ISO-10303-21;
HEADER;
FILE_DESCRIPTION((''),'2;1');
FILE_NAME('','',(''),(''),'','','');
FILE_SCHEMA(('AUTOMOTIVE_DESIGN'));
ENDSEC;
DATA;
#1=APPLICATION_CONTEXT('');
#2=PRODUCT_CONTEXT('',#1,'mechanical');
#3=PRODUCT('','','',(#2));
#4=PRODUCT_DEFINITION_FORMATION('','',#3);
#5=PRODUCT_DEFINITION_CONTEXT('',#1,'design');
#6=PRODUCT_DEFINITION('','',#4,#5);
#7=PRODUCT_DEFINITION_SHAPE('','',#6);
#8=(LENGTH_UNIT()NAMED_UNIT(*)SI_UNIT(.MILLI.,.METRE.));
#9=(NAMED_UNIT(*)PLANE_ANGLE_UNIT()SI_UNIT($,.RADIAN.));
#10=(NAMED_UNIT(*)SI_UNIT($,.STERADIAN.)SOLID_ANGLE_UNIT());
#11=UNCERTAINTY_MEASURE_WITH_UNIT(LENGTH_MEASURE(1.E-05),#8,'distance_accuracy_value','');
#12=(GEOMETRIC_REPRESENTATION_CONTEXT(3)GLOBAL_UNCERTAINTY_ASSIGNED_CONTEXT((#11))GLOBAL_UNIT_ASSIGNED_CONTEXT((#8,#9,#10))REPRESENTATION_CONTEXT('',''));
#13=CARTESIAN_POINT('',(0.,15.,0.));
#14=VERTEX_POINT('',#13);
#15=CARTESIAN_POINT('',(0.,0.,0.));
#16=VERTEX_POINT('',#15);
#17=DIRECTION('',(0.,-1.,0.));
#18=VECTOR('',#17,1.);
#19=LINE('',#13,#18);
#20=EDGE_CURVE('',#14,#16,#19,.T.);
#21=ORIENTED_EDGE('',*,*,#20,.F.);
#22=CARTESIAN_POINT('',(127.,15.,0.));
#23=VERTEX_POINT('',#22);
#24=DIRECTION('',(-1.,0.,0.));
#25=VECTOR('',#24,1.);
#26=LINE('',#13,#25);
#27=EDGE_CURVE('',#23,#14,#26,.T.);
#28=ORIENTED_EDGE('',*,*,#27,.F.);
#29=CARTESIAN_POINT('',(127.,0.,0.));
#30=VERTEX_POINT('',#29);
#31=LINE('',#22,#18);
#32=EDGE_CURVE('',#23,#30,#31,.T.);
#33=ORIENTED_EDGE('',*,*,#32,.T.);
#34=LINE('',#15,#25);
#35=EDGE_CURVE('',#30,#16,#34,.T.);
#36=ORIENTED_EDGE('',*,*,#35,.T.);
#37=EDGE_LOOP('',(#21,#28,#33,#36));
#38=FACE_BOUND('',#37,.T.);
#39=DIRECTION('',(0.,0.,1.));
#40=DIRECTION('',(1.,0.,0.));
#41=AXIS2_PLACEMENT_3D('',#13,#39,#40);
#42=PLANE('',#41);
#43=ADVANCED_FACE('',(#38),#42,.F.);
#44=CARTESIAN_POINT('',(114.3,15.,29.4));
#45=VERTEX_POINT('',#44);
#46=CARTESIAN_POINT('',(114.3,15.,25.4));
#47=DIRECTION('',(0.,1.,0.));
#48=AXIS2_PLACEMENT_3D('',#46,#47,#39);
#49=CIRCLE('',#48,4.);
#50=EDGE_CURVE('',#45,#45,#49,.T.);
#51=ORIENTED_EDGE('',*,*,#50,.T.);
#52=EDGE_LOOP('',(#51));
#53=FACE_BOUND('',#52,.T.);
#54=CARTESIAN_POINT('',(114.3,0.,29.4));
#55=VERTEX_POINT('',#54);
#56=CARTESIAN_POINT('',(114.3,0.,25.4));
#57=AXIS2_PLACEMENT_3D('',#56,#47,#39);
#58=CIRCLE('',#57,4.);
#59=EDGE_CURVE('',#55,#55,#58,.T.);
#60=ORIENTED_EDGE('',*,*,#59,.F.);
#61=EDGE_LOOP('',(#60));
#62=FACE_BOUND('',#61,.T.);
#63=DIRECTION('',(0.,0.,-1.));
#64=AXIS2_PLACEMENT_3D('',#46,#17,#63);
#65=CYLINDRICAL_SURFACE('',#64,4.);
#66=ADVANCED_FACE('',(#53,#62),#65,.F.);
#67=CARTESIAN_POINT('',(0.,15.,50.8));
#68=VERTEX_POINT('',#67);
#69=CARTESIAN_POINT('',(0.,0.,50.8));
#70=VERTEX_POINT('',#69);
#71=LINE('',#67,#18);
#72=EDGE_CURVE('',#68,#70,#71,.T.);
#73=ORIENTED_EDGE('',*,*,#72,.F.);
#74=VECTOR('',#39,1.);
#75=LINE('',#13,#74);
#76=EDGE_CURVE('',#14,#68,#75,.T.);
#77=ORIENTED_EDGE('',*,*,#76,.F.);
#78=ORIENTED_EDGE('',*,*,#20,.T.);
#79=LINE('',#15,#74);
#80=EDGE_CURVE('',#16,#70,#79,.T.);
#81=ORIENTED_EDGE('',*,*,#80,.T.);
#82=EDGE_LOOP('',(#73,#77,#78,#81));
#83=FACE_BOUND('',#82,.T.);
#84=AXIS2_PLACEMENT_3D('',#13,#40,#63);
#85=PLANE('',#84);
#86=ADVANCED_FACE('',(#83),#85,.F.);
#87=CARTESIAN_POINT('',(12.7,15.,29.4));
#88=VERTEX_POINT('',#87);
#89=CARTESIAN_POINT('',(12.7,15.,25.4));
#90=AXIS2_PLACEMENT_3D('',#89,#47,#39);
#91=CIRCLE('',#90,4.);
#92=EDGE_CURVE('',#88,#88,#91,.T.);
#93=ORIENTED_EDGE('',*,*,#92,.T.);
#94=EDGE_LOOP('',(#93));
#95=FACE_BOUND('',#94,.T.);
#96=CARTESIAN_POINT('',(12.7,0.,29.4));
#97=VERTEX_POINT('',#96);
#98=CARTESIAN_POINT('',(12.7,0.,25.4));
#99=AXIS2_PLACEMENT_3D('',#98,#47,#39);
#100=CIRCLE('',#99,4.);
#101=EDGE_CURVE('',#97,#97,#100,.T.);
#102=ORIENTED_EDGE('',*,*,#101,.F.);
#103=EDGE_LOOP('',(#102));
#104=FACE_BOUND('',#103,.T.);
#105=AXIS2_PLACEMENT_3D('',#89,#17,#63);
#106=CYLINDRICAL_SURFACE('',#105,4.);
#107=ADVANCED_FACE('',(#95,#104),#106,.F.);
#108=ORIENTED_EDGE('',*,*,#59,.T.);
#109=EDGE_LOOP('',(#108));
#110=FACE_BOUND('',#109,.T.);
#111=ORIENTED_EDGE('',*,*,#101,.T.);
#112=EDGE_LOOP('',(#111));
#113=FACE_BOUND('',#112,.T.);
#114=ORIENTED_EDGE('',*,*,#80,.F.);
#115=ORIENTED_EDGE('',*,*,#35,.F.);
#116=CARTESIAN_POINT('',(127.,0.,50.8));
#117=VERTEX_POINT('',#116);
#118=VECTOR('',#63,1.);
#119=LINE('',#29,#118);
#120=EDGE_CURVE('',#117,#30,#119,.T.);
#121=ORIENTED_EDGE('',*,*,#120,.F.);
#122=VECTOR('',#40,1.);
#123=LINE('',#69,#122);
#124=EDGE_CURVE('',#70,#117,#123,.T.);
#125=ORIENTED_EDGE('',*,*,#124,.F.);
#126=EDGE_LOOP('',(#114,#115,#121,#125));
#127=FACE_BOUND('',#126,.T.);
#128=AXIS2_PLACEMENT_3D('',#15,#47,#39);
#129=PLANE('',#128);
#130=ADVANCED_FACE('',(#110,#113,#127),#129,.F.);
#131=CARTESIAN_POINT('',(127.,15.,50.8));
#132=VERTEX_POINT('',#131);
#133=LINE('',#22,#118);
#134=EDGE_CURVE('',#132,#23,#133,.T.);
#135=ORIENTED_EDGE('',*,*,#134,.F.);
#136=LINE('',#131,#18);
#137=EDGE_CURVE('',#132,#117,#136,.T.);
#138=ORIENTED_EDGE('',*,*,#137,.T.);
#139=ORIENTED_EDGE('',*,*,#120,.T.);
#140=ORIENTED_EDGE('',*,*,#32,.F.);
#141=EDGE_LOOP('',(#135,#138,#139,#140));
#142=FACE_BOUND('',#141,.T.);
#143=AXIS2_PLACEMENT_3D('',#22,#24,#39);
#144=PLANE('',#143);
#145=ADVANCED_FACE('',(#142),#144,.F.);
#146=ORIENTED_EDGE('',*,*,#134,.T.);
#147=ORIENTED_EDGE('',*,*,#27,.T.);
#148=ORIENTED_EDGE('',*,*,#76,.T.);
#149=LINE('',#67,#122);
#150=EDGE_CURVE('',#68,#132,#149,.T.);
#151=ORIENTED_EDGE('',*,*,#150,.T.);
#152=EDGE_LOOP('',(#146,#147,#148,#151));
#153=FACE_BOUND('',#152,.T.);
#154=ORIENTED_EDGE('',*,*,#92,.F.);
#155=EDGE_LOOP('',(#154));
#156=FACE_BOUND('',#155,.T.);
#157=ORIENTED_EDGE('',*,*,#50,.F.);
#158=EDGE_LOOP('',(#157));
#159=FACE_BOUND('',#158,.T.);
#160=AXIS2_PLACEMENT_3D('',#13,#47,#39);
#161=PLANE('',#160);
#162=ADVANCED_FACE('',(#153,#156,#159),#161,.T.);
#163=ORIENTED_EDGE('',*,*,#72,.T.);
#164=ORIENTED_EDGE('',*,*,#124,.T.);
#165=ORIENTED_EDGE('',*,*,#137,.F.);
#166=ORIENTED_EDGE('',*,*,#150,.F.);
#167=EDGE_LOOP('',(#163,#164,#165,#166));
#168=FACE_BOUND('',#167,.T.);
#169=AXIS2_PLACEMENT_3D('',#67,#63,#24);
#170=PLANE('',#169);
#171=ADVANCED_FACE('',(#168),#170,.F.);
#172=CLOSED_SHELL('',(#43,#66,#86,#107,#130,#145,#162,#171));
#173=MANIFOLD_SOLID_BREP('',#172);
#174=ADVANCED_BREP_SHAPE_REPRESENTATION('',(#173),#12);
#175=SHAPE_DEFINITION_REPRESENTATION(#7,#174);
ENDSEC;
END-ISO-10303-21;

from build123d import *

# Parameters (mm, degrees)
SKETCH_1_W      = 127
SKETCH_1_H      = 50.8
SKETCH_1_R      = 4
EXTRUDE_1_DEPTH = 15


with BuildPart() as part:
    # 草图1 → 凸台-拉伸1 (new body)
    with BuildSketch(Plane(origin=(0, 0, 0), x_dir=(1, 0, 0), z_dir=(0, 1, 0))):
        with Locations((63.5, -25.4)):
            Rectangle(SKETCH_1_W, SKETCH_1_H)
        with Locations(Location((12.7, -25.4, 0), (0, 0, 270))):
            Circle(SKETCH_1_R, mode=Mode.SUBTRACT)
        with Locations(Location((114.3, -25.4, 0), (0, 0, 270))):
            Circle(SKETCH_1_R, mode=Mode.SUBTRACT)
    extrude(amount=EXTRUDE_1_DEPTH)


solid = part.part
